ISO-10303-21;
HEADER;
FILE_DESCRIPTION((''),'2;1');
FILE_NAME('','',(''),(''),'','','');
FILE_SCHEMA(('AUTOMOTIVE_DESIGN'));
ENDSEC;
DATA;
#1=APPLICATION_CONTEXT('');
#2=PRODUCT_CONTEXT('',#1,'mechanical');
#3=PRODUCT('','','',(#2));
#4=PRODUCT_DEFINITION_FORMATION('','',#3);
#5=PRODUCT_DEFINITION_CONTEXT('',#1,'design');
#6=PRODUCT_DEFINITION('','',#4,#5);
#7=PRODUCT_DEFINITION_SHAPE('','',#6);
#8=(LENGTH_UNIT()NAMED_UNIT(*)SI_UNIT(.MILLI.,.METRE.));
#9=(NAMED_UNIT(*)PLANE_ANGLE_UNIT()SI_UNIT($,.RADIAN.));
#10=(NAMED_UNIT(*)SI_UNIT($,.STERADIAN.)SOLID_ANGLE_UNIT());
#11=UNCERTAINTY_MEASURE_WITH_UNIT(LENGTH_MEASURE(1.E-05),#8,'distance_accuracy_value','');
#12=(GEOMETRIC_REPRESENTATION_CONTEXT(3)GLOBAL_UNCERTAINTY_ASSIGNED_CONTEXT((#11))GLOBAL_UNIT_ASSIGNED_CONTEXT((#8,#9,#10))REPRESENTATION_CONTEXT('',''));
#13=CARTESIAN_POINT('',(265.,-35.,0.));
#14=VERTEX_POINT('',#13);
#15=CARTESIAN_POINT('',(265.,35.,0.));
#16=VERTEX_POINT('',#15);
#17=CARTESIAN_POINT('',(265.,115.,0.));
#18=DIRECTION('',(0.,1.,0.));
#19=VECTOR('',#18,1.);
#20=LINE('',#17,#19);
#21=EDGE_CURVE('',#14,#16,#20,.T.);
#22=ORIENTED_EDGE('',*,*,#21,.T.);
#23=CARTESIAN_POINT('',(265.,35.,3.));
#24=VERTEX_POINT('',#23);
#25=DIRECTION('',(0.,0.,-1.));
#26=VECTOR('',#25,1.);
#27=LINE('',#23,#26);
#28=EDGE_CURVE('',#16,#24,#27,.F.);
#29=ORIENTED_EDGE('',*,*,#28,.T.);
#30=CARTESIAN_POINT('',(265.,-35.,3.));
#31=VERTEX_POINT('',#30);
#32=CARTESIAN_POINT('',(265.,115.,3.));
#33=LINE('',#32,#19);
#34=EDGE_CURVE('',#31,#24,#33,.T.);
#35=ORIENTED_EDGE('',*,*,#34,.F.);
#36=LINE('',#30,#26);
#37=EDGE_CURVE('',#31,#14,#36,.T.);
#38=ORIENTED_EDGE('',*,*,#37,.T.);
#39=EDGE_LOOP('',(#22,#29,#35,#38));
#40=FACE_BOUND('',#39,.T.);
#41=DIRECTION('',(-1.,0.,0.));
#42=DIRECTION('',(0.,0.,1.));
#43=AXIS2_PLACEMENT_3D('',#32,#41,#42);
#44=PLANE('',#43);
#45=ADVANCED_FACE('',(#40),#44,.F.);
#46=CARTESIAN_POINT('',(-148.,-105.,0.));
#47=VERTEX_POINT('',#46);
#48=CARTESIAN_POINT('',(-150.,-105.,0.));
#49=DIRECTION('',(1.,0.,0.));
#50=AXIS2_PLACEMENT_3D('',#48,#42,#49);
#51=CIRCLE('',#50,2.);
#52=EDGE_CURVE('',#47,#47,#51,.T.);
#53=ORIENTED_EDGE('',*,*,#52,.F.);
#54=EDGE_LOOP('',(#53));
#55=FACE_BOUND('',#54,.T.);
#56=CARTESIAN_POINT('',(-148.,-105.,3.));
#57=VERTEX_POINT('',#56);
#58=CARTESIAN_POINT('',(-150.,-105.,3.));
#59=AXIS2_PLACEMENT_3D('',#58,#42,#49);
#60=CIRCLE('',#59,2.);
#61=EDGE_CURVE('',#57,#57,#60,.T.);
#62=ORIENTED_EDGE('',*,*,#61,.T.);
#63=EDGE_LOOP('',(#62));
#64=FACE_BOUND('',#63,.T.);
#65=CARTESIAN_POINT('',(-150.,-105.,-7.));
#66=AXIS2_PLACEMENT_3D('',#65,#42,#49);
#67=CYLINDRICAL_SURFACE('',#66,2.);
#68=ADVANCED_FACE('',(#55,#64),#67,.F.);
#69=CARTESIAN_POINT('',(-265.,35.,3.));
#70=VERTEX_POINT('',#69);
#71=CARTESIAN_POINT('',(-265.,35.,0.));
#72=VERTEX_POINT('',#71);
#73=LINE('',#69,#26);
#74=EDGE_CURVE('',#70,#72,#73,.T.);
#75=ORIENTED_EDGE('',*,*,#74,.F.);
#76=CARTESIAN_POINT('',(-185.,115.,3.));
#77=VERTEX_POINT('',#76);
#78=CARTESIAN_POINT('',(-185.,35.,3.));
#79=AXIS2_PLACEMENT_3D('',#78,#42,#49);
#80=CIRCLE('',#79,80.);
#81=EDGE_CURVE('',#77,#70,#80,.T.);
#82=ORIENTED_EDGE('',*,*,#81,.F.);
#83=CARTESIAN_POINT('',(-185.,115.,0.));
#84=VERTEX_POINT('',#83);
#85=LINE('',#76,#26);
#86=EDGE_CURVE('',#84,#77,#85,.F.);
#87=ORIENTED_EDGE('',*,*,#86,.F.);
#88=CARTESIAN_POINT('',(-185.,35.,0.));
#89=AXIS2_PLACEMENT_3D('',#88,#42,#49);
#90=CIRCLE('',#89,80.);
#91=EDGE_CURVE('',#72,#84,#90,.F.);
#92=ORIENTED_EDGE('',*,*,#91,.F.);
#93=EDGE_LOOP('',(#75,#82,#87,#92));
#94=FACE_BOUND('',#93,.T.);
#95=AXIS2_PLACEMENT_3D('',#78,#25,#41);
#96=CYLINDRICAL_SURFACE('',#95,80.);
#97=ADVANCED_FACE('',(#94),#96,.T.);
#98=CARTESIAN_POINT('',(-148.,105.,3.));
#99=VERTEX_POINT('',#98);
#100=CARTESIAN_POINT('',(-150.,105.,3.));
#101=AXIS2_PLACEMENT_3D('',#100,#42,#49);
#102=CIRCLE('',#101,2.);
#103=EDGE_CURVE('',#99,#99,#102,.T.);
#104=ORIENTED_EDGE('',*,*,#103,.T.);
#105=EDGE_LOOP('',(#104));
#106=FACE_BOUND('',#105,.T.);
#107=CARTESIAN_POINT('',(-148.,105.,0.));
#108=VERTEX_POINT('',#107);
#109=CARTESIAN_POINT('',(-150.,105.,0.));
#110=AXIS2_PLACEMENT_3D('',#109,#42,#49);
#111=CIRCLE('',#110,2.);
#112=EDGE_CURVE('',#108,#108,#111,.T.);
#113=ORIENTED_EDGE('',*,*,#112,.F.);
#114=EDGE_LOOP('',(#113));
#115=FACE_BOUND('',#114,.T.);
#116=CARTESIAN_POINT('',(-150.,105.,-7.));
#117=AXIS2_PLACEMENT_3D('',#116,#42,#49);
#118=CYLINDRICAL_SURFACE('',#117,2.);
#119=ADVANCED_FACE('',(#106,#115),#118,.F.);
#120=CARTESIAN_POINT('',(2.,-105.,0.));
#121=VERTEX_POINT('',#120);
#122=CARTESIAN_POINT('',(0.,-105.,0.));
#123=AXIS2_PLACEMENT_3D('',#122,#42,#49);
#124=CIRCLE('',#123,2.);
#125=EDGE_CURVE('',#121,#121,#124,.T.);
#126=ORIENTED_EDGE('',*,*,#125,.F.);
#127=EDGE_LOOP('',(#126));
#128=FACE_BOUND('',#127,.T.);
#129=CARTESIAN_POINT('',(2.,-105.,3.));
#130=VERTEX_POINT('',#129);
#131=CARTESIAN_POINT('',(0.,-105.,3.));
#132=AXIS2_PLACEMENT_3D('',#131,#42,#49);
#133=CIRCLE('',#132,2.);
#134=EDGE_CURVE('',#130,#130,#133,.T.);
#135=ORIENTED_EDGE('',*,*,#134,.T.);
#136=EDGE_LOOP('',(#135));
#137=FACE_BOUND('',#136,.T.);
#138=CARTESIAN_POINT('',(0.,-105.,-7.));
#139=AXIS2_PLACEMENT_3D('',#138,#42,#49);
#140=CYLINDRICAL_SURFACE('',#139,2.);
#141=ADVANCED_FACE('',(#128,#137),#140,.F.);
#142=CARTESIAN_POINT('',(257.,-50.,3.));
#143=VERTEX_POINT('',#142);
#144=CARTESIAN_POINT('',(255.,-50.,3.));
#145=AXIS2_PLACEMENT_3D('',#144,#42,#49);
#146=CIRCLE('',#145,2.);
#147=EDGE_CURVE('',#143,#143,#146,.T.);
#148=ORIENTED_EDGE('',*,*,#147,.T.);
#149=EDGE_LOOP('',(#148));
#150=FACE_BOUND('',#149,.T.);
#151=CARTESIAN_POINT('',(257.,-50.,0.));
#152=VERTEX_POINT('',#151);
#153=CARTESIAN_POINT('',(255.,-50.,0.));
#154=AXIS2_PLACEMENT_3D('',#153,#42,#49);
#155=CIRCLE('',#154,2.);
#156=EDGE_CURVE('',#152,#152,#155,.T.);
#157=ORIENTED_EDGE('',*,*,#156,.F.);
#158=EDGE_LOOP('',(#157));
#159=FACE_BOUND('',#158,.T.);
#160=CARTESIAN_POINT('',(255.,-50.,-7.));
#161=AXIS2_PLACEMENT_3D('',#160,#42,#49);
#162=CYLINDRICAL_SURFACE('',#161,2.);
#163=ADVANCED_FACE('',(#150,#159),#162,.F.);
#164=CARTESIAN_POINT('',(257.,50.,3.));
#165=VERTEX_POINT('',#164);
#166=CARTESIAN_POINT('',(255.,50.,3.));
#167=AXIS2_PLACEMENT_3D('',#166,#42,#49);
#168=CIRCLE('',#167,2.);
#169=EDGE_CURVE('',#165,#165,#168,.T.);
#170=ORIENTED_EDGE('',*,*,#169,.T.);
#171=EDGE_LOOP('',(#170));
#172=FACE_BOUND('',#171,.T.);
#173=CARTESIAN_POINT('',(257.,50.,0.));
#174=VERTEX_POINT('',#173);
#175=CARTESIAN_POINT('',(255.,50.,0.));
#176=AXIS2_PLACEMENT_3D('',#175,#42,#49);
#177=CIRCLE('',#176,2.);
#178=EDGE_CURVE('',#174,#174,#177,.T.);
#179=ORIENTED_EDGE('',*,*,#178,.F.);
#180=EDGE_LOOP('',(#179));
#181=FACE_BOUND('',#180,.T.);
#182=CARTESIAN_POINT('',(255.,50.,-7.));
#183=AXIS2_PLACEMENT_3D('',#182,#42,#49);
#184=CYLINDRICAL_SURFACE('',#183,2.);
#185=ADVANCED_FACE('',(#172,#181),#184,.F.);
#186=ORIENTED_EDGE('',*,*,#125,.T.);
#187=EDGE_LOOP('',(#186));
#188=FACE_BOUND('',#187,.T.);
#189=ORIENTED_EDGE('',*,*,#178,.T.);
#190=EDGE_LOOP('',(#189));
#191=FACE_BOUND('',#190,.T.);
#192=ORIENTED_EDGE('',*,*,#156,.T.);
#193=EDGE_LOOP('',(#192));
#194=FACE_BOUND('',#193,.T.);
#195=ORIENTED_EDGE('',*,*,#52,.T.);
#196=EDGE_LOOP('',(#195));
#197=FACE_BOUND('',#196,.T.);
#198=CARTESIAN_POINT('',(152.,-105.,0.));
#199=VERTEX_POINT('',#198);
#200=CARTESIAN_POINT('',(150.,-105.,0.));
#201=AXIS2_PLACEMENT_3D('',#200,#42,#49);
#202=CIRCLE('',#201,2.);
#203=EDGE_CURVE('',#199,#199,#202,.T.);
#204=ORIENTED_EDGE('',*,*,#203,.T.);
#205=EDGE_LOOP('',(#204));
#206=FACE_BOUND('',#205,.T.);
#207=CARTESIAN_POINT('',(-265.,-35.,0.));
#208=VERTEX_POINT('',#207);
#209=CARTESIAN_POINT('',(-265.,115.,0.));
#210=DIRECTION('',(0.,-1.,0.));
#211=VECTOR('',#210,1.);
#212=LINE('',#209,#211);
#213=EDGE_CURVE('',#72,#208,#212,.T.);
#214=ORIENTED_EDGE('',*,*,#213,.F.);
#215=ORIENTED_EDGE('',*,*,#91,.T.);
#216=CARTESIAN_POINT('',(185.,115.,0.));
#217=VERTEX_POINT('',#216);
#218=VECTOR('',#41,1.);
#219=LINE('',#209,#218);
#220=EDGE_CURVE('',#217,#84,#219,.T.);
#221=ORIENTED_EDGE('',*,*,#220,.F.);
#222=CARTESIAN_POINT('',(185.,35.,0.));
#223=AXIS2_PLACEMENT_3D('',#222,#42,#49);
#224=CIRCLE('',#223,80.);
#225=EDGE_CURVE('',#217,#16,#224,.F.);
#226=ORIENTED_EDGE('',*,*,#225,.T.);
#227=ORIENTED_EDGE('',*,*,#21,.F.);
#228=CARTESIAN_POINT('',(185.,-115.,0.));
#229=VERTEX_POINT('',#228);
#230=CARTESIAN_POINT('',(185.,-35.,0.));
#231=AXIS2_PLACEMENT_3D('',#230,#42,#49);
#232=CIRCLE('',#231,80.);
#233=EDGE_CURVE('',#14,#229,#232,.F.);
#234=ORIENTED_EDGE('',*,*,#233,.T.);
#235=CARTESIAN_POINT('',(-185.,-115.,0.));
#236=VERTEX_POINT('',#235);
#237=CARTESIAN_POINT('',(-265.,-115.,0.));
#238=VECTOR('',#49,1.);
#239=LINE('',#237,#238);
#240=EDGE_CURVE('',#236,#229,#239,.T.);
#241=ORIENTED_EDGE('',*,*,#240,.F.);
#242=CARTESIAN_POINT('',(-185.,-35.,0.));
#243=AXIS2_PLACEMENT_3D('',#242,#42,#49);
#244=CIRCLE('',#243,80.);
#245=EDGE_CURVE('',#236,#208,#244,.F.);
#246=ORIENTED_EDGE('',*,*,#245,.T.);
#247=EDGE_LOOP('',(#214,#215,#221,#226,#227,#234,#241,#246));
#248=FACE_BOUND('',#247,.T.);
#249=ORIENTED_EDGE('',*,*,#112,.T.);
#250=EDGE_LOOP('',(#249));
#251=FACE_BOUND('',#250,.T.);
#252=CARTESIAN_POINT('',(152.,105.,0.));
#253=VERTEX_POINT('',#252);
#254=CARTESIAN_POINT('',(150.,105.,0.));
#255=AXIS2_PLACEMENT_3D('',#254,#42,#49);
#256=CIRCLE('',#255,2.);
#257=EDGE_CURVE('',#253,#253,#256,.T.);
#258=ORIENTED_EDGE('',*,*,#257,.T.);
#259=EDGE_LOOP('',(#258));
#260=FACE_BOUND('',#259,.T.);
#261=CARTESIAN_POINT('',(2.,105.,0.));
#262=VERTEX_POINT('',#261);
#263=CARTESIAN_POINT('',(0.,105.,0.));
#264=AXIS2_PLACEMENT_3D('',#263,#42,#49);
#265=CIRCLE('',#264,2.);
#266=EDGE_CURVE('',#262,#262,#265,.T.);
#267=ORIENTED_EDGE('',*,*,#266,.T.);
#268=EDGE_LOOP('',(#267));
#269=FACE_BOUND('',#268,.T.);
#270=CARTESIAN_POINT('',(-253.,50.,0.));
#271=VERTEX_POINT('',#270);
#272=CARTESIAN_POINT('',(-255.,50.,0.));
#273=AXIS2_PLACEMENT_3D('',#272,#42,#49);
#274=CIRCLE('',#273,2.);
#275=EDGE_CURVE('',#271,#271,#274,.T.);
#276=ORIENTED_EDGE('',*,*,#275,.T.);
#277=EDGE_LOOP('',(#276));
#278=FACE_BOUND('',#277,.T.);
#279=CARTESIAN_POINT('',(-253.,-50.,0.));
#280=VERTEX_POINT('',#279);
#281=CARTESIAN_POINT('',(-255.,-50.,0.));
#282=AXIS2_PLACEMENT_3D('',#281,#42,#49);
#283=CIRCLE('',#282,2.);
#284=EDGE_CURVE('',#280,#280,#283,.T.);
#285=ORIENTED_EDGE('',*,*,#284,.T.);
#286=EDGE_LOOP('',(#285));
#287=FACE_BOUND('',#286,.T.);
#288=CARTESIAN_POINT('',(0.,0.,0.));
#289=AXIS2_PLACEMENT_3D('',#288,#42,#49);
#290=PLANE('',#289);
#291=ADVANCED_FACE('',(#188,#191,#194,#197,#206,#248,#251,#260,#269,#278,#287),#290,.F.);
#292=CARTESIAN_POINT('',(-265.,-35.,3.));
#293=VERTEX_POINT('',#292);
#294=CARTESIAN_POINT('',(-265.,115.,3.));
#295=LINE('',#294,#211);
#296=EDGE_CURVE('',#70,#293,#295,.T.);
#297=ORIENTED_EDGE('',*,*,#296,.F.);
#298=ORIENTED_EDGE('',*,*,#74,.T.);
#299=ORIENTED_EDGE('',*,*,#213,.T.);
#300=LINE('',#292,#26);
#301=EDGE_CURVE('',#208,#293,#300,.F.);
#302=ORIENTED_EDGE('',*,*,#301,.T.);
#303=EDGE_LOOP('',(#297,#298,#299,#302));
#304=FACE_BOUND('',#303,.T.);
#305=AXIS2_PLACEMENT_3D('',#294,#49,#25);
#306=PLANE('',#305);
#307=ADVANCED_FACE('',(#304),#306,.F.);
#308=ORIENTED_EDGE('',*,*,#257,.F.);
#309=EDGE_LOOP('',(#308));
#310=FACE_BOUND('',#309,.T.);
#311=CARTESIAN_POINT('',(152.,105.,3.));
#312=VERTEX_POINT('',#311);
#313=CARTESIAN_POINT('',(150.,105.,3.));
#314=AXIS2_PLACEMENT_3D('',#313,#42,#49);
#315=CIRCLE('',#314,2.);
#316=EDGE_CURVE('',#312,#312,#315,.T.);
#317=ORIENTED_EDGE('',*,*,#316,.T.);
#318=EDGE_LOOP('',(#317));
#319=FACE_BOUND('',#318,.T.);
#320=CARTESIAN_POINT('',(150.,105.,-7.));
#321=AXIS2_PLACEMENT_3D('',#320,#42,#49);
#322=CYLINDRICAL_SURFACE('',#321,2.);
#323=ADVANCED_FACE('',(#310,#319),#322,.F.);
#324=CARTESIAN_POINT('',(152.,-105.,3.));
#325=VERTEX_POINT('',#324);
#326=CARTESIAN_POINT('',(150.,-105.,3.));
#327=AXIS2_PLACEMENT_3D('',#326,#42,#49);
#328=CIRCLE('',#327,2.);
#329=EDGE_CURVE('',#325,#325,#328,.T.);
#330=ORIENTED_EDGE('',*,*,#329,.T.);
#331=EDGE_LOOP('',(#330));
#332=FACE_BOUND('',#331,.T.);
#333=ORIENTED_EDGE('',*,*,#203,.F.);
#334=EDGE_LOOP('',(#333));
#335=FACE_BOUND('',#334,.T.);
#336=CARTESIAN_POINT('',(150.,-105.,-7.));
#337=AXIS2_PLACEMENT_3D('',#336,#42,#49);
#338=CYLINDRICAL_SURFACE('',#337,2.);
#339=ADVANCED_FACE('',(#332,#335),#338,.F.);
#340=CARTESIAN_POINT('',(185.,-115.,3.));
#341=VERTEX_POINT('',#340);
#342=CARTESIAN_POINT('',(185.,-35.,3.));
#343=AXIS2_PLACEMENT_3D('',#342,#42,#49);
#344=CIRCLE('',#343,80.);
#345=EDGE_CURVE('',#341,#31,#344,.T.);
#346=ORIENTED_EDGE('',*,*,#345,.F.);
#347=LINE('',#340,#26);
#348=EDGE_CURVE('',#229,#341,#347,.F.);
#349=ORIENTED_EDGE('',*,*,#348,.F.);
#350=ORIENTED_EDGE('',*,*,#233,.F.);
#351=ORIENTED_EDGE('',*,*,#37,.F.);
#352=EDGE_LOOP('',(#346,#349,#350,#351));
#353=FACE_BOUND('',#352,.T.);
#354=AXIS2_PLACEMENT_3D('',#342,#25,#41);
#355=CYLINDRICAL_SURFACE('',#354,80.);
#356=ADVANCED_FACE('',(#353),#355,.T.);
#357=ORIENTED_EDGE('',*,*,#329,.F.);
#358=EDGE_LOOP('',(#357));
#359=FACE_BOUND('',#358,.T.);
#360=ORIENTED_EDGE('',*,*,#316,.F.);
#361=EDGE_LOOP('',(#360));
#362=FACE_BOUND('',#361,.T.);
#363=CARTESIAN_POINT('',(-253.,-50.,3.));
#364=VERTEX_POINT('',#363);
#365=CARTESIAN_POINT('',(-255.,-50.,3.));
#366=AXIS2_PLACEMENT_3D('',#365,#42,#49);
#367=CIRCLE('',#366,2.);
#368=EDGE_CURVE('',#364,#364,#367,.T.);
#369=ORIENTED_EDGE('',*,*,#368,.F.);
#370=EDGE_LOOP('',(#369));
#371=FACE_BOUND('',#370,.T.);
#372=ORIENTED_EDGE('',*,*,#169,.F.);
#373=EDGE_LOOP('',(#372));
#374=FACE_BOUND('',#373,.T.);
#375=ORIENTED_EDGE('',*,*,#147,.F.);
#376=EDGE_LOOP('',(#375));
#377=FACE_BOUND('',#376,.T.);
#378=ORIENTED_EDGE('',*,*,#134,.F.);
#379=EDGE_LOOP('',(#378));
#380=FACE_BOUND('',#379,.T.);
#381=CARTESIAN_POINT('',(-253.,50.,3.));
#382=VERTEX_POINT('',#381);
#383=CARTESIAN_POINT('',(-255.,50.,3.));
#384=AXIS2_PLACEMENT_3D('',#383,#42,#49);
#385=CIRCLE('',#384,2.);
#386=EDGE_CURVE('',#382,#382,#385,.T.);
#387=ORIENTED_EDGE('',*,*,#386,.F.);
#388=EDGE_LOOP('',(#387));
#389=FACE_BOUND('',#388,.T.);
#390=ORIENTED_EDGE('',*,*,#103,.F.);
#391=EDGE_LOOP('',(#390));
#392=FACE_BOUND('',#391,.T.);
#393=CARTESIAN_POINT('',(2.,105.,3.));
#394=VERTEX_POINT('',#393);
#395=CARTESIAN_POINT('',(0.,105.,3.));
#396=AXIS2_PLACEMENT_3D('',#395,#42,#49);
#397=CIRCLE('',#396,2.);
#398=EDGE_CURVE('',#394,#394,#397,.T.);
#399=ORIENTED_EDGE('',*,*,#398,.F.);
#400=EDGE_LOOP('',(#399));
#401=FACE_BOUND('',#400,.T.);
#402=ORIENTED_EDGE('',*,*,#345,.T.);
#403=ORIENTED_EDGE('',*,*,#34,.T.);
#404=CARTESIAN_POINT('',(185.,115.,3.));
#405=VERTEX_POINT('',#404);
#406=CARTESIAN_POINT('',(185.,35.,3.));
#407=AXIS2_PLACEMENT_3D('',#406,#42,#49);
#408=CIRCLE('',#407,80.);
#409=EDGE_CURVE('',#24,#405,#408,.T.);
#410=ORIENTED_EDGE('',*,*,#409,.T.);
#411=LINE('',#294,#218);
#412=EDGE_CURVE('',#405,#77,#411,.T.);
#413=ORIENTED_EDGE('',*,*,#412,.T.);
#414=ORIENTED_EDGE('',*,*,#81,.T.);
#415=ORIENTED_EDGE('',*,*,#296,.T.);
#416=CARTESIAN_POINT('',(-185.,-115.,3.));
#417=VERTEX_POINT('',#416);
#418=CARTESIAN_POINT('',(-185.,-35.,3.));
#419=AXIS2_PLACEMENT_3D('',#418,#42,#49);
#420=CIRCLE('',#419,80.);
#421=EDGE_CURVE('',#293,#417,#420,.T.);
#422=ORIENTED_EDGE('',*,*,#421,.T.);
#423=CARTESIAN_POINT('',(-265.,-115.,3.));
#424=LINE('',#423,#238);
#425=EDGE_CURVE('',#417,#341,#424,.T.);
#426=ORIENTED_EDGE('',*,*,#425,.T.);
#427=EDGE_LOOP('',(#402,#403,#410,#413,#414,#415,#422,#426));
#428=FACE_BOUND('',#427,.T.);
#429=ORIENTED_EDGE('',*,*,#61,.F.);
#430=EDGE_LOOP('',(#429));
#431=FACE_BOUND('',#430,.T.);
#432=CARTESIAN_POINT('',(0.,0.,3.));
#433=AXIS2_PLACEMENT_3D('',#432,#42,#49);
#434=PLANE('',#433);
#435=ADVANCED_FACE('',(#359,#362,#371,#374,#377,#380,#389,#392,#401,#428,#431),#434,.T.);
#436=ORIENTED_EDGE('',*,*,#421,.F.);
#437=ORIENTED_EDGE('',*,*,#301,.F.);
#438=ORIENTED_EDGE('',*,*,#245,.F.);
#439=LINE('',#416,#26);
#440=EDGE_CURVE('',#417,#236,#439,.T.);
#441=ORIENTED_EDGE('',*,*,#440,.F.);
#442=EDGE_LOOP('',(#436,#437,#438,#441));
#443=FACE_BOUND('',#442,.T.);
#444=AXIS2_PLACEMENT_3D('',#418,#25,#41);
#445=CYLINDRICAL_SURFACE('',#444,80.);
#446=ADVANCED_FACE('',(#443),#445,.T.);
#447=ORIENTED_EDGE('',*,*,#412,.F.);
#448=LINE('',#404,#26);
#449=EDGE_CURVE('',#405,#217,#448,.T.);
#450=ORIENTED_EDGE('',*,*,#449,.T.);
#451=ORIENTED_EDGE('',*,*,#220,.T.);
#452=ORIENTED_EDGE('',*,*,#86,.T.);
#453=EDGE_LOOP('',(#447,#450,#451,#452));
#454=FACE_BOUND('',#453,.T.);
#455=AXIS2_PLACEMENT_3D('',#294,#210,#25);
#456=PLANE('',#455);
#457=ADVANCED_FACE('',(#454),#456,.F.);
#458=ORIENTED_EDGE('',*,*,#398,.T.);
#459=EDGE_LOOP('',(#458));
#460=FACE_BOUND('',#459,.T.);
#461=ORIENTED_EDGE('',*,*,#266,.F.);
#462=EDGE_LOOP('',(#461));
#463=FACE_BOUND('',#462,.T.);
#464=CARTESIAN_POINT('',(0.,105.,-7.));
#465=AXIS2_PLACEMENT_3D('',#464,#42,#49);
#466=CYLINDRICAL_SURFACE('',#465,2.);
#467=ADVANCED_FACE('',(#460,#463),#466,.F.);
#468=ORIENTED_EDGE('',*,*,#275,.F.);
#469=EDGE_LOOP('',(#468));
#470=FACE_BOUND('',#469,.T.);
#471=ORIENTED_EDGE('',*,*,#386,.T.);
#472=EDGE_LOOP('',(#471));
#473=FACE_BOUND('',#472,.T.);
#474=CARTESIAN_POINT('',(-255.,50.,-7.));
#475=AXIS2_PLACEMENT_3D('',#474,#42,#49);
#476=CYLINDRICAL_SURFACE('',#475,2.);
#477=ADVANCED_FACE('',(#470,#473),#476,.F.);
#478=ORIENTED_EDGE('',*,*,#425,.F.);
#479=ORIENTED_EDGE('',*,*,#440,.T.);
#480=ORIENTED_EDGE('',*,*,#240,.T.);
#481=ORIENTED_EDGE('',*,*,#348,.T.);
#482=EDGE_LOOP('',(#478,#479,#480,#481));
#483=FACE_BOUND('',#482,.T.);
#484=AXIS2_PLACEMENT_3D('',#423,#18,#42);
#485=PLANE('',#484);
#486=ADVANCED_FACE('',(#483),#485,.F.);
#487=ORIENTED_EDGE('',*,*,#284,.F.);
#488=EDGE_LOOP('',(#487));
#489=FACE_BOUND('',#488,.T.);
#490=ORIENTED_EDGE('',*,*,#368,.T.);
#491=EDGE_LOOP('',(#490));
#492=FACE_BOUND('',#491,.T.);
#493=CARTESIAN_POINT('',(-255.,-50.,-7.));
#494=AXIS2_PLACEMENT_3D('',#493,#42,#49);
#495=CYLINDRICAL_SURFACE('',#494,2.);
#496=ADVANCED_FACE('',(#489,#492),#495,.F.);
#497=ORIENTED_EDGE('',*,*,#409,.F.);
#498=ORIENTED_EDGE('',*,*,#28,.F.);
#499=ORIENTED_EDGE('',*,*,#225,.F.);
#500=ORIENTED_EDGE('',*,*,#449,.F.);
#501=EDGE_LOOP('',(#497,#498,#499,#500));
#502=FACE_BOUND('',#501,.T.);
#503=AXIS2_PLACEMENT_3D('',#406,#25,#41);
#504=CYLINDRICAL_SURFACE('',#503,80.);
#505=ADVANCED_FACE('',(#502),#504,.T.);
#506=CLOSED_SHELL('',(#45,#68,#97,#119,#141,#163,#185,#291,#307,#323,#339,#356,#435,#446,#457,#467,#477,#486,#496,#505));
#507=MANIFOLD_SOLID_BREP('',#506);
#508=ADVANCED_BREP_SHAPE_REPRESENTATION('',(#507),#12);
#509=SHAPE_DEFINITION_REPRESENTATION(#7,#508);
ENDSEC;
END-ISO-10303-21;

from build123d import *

# Parameters (mm, degrees)
SKETCH_1_W          = 530
SKETCH_1_H          = 230
EXTRUDE_1_DEPTH     = 3
FILLET_1_R          = 80
SKETCH_2_R          = 2
CUT_EXTRUDE_1_DEPTH = 10


with BuildPart() as part:
    # 草图1 → 凸台-拉伸1 (new body)
    with BuildSketch(Plane.XY):
        Rectangle(SKETCH_1_W, SKETCH_1_H)
    extrude(amount=EXTRUDE_1_DEPTH)

    # 圆角1
    fillet_1_edges = [part.edges().sort_by_distance(p)[0] for p in [
        (265, -115, 1.5),
        (-265, -115, 1.5),
        (-265, 115, 1.5),
        (265, 115, 1.5),
    ]]
    fillet(fillet_1_edges, radius=FILLET_1_R)

    # 草图2 → 切除-拉伸1 (cut)
    with BuildSketch(Plane.XY.offset(3)):
        with Locations((-255, -50)):
            Circle(SKETCH_2_R)
        with Locations((-255, 50)):
            Circle(SKETCH_2_R)
        with Locations((-150, -105)):
            Circle(SKETCH_2_R)
        with Locations((0, -105)):
            Circle(SKETCH_2_R)
        with Locations((150, -105)):
            Circle(SKETCH_2_R)
        with Locations((255, -50)):
            Circle(SKETCH_2_R)
        with Locations((255, 50)):
            Circle(SKETCH_2_R)
        with Locations((150, 105)):
            Circle(SKETCH_2_R)
        with Locations((0, 105)):
            Circle(SKETCH_2_R)
        with Locations((-150, 105)):
            Circle(SKETCH_2_R)
    extrude(amount=-CUT_EXTRUDE_1_DEPTH, mode=Mode.SUBTRACT)


solid = part.part
